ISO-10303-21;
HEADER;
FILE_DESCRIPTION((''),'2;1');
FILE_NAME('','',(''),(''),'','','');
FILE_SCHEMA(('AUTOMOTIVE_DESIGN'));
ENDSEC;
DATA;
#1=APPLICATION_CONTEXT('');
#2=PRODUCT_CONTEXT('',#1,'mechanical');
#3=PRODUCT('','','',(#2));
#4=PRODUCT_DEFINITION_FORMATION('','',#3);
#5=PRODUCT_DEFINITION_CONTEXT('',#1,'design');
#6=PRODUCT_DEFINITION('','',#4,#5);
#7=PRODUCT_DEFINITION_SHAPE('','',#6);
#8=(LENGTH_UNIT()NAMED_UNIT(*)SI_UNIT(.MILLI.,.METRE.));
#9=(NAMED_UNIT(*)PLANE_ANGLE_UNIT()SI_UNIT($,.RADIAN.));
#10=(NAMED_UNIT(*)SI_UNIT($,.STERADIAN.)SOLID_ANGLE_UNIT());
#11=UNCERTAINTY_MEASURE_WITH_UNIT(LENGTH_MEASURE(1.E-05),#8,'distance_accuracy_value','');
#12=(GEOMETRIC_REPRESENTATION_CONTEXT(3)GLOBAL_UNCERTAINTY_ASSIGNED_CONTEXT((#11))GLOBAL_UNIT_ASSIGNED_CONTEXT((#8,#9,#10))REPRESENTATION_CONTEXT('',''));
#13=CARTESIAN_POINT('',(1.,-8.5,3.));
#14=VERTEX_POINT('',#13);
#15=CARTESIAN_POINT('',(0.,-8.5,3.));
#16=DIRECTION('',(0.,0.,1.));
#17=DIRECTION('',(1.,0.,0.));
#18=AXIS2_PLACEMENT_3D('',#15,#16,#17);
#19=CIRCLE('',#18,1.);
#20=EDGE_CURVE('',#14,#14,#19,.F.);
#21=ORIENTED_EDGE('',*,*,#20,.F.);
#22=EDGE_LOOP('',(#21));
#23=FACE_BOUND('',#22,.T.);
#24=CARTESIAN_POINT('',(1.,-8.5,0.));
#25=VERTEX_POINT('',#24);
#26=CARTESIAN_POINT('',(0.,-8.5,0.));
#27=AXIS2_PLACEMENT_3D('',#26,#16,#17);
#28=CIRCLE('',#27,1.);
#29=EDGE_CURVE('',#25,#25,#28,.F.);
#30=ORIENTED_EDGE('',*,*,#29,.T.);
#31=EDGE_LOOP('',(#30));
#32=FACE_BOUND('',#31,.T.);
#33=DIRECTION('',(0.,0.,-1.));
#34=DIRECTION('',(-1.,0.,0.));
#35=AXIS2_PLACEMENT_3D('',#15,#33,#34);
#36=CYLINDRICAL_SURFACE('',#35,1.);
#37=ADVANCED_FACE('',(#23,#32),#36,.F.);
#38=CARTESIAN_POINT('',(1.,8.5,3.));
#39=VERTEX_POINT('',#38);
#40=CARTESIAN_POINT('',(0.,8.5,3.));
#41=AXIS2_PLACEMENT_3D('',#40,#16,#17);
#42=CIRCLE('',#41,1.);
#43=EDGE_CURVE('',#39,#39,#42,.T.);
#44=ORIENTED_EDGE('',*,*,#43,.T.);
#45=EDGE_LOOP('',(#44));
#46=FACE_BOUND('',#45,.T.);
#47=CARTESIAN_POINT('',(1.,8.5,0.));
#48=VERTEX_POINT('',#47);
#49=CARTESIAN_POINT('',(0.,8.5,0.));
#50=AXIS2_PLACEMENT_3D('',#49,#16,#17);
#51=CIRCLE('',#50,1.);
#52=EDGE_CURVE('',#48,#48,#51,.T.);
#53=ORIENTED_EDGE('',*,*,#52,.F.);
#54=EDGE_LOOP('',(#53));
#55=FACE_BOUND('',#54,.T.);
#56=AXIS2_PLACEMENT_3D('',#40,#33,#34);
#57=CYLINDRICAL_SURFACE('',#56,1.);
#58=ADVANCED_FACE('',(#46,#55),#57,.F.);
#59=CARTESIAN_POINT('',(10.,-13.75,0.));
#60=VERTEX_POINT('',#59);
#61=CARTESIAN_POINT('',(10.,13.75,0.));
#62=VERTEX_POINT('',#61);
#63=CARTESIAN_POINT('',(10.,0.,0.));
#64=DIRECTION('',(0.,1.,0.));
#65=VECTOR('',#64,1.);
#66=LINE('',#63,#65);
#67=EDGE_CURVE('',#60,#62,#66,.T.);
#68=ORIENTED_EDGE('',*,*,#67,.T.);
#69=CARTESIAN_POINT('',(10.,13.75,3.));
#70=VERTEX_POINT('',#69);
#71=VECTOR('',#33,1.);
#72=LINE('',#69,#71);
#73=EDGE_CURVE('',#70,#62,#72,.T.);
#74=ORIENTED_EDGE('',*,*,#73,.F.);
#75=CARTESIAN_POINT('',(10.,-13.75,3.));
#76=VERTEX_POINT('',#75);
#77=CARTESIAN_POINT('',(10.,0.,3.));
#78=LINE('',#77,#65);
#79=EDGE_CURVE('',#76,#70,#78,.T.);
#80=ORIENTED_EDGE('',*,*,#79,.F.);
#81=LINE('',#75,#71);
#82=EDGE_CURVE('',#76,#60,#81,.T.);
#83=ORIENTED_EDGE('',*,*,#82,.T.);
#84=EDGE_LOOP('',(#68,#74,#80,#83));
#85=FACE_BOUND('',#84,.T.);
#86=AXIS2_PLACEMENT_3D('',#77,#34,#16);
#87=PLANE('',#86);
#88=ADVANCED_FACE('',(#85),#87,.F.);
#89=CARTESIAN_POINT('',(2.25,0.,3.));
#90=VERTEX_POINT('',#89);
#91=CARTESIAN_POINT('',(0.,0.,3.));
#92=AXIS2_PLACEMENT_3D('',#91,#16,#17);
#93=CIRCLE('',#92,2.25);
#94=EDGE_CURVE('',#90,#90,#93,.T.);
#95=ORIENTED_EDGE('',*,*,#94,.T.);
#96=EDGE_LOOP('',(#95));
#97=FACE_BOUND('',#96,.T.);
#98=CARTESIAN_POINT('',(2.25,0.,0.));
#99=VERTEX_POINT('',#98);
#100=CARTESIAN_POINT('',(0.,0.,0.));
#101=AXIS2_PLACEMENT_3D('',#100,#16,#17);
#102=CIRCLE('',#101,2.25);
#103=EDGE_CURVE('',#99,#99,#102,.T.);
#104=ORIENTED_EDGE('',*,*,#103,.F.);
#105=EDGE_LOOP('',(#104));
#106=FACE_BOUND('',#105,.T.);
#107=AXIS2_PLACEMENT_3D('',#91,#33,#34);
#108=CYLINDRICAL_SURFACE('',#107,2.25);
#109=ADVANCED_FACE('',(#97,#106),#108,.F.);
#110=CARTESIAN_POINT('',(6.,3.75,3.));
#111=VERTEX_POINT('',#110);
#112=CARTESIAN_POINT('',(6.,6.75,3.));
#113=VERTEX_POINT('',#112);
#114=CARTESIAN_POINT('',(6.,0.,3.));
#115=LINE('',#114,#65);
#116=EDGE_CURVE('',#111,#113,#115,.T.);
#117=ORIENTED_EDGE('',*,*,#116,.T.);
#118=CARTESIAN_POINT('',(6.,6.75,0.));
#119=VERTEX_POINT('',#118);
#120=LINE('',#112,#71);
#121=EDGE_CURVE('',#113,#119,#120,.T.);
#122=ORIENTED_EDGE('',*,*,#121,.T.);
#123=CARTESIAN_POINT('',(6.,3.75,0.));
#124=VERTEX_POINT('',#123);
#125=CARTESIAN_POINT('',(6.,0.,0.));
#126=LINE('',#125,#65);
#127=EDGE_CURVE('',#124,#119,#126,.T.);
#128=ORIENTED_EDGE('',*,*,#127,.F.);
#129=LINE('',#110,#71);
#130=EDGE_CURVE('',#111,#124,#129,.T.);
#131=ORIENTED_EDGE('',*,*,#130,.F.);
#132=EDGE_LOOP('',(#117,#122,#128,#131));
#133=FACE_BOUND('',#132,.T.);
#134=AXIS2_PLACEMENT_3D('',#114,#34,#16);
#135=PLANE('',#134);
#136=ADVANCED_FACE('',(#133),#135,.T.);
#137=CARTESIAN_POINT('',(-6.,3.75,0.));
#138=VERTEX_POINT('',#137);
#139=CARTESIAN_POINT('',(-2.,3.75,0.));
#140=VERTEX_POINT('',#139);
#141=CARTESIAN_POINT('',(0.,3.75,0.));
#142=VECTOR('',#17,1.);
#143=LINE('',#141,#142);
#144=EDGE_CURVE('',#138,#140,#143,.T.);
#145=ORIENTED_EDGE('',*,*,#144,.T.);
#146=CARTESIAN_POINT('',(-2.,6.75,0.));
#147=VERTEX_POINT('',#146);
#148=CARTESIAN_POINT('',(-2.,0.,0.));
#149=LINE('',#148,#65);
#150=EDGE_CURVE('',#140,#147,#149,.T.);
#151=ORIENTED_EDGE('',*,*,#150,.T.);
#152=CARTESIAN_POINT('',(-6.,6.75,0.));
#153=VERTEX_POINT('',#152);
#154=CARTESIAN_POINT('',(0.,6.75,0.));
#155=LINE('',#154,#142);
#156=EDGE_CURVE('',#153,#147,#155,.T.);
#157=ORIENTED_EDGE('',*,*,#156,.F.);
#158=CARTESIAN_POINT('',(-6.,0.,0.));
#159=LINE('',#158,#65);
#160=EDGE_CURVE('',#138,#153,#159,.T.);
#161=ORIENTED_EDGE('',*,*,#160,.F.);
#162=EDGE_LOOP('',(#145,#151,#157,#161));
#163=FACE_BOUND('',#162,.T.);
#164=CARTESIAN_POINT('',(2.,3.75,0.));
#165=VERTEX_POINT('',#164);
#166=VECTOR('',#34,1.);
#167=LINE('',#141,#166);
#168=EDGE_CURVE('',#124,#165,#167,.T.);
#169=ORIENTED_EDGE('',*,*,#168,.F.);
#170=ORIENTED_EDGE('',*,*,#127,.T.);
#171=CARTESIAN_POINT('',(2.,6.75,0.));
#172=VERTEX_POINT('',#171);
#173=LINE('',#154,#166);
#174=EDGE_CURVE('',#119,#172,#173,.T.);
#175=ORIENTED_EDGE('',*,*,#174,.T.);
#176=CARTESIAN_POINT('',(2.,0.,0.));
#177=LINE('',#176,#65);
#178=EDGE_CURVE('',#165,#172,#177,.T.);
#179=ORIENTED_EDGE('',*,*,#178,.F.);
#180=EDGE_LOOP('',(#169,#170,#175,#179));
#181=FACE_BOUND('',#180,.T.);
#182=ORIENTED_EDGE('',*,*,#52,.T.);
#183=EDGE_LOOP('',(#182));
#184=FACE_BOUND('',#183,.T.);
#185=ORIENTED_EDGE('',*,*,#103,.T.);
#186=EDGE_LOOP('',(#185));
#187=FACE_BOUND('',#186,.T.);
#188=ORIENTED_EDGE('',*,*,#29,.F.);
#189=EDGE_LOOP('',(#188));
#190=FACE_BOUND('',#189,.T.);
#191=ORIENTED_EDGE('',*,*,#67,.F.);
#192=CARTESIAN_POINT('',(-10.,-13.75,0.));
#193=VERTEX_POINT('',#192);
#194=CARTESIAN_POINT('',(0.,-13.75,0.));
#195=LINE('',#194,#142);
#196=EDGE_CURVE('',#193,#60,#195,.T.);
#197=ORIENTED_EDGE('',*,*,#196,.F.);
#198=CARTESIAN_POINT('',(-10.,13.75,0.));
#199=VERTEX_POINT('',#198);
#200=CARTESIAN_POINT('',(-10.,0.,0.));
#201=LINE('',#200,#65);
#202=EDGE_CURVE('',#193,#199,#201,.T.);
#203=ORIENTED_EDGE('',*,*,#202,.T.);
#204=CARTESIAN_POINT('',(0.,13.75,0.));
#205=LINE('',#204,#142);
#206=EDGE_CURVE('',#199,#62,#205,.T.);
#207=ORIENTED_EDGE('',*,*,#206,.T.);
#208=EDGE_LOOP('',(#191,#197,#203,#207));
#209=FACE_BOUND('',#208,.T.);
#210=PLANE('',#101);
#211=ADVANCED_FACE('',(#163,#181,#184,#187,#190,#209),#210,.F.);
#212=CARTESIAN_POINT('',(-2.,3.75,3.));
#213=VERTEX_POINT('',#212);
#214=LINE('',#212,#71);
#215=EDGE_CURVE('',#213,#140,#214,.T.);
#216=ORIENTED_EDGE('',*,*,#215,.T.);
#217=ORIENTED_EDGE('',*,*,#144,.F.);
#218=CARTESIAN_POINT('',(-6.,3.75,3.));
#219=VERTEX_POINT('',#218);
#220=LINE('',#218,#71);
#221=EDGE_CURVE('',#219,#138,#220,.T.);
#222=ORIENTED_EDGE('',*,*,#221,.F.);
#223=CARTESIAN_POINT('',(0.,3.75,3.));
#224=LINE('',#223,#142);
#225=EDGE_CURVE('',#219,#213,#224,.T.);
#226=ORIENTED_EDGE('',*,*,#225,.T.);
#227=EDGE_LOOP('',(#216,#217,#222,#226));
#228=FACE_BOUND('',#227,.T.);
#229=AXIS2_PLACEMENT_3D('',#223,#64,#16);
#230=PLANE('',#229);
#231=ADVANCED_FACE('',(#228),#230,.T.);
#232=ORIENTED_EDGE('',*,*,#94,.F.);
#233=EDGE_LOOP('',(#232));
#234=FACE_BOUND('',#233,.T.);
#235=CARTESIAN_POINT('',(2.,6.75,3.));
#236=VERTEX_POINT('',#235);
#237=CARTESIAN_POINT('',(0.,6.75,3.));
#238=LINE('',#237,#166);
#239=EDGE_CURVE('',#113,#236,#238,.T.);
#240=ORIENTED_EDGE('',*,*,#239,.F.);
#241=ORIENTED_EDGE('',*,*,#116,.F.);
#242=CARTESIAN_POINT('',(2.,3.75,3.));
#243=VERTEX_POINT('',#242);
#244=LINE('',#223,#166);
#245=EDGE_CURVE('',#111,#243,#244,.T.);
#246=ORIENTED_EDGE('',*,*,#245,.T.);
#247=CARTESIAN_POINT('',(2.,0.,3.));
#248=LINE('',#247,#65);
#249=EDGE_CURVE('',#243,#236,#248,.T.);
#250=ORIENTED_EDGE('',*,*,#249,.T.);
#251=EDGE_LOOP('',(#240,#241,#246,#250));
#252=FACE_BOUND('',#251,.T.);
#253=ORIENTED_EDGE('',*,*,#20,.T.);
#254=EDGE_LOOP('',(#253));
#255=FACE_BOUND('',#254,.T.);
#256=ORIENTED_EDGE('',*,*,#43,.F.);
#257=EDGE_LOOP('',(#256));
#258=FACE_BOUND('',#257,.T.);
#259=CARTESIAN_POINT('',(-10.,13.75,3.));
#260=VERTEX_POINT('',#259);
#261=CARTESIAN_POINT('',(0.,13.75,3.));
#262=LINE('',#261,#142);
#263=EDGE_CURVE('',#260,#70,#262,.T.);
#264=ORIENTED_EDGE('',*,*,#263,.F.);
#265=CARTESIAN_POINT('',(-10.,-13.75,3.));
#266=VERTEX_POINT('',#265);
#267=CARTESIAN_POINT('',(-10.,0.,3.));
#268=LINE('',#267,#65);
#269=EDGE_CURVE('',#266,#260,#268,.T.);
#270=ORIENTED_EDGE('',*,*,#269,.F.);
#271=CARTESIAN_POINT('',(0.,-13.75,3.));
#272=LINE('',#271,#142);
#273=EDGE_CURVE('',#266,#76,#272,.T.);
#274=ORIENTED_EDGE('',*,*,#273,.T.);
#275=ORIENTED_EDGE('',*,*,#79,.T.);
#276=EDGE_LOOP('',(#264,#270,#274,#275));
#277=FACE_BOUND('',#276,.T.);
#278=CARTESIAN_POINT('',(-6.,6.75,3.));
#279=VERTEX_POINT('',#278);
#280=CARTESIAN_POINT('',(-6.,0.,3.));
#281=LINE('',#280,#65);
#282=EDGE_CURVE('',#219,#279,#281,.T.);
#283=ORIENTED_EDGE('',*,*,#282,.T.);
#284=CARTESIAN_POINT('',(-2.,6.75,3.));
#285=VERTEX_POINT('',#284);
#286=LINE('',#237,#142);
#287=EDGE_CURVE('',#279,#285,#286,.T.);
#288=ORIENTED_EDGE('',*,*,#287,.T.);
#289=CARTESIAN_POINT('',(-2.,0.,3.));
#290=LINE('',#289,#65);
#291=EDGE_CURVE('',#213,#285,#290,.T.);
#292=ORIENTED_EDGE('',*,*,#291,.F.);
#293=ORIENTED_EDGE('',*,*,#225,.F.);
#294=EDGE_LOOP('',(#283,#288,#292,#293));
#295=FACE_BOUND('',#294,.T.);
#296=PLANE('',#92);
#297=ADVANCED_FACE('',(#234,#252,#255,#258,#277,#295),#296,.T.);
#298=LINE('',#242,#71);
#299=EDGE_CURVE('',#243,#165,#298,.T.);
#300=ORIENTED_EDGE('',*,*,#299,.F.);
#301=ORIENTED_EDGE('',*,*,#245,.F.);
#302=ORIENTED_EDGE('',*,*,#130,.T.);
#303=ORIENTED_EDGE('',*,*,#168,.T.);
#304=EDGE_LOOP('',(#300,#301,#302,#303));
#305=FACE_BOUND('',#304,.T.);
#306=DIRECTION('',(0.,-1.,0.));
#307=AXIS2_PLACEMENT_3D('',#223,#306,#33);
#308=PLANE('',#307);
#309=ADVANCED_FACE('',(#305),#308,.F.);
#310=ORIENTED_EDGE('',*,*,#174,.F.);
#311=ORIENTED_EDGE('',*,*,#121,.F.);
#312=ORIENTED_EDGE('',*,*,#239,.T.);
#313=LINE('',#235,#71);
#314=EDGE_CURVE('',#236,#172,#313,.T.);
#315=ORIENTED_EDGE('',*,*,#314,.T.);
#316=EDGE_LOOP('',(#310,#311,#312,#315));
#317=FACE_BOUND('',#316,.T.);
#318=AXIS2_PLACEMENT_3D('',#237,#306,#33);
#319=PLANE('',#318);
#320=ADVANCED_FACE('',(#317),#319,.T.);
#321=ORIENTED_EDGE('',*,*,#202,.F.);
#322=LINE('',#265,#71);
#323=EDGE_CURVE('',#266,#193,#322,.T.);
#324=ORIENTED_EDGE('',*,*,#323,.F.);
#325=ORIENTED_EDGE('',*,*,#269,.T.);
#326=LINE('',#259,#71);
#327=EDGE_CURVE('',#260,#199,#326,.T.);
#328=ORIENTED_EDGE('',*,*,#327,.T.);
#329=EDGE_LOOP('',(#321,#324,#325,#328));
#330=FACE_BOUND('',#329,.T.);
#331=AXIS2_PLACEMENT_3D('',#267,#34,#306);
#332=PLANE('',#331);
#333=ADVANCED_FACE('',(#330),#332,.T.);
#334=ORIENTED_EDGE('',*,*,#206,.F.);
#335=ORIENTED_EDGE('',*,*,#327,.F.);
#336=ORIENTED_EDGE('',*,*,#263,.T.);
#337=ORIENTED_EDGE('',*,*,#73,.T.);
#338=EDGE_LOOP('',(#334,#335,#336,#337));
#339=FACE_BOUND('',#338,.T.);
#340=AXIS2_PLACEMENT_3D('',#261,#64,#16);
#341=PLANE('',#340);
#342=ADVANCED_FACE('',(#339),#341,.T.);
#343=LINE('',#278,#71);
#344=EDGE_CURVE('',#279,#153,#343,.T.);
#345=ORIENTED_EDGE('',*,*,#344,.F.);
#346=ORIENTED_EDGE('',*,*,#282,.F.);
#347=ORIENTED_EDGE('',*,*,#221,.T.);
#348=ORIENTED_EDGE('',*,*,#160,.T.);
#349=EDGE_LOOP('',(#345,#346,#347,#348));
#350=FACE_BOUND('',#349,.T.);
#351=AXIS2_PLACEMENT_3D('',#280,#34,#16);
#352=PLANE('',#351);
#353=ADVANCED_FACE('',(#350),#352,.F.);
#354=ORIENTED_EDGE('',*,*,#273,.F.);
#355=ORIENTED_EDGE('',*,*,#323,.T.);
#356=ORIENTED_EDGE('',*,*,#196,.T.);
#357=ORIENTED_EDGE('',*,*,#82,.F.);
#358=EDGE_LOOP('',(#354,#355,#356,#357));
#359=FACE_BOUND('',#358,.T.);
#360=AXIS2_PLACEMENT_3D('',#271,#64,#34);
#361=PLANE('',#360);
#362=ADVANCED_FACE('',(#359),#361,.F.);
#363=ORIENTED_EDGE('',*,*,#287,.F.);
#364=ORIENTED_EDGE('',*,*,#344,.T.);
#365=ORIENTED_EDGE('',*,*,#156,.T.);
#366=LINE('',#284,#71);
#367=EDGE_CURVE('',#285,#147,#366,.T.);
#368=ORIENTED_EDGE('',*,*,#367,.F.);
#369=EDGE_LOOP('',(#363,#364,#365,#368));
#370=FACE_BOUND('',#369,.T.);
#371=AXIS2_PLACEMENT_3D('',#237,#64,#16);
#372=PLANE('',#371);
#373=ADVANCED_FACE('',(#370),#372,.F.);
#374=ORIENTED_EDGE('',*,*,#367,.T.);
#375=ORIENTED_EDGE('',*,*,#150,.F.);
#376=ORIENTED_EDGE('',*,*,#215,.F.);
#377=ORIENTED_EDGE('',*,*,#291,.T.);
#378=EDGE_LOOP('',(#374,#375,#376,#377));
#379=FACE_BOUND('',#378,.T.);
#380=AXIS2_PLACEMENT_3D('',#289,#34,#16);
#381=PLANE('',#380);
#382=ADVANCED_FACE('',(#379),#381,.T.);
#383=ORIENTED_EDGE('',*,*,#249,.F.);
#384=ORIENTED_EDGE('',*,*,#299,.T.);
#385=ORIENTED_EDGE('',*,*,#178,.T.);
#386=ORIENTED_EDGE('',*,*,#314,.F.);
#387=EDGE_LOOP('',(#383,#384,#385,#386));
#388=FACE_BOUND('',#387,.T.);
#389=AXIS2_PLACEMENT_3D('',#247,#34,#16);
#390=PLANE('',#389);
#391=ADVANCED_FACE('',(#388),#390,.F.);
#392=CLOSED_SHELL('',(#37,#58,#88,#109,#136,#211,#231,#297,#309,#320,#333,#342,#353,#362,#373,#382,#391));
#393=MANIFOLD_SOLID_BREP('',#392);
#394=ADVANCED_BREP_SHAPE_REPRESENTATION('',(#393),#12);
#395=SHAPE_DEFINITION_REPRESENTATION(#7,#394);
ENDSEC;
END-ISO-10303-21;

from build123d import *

# Parameters (mm, degrees)
CROQUIS1_W              = 20
CROQUIS1_H              = 27.5
CROQUIS1_R              = 2.25
CROQUIS1_R_2            = 1
CROQUIS1_W_2            = 4
CROQUIS1_H_2            = 3
SALIENTE_EXTRUIR1_DEPTH = 3


with BuildPart() as part:
    # Croquis1 → Saliente-Extruir1 (new body)
    with BuildSketch(Plane.XY):
        Rectangle(CROQUIS1_W, CROQUIS1_H)
        Circle(CROQUIS1_R, mode=Mode.SUBTRACT)
        with Locations((0, 8.5)):
            Circle(CROQUIS1_R_2, mode=Mode.SUBTRACT)
        with Locations((0, -8.5)):
            Circle(CROQUIS1_R_2, mode=Mode.SUBTRACT)
        with Locations((4, 5.25)):
            Rectangle(CROQUIS1_W_2, CROQUIS1_H_2, mode=Mode.SUBTRACT)
        with Locations((-4, 5.25)):
            Rectangle(CROQUIS1_W_2, CROQUIS1_H_2, mode=Mode.SUBTRACT)
    extrude(amount=SALIENTE_EXTRUIR1_DEPTH)


solid = part.part
